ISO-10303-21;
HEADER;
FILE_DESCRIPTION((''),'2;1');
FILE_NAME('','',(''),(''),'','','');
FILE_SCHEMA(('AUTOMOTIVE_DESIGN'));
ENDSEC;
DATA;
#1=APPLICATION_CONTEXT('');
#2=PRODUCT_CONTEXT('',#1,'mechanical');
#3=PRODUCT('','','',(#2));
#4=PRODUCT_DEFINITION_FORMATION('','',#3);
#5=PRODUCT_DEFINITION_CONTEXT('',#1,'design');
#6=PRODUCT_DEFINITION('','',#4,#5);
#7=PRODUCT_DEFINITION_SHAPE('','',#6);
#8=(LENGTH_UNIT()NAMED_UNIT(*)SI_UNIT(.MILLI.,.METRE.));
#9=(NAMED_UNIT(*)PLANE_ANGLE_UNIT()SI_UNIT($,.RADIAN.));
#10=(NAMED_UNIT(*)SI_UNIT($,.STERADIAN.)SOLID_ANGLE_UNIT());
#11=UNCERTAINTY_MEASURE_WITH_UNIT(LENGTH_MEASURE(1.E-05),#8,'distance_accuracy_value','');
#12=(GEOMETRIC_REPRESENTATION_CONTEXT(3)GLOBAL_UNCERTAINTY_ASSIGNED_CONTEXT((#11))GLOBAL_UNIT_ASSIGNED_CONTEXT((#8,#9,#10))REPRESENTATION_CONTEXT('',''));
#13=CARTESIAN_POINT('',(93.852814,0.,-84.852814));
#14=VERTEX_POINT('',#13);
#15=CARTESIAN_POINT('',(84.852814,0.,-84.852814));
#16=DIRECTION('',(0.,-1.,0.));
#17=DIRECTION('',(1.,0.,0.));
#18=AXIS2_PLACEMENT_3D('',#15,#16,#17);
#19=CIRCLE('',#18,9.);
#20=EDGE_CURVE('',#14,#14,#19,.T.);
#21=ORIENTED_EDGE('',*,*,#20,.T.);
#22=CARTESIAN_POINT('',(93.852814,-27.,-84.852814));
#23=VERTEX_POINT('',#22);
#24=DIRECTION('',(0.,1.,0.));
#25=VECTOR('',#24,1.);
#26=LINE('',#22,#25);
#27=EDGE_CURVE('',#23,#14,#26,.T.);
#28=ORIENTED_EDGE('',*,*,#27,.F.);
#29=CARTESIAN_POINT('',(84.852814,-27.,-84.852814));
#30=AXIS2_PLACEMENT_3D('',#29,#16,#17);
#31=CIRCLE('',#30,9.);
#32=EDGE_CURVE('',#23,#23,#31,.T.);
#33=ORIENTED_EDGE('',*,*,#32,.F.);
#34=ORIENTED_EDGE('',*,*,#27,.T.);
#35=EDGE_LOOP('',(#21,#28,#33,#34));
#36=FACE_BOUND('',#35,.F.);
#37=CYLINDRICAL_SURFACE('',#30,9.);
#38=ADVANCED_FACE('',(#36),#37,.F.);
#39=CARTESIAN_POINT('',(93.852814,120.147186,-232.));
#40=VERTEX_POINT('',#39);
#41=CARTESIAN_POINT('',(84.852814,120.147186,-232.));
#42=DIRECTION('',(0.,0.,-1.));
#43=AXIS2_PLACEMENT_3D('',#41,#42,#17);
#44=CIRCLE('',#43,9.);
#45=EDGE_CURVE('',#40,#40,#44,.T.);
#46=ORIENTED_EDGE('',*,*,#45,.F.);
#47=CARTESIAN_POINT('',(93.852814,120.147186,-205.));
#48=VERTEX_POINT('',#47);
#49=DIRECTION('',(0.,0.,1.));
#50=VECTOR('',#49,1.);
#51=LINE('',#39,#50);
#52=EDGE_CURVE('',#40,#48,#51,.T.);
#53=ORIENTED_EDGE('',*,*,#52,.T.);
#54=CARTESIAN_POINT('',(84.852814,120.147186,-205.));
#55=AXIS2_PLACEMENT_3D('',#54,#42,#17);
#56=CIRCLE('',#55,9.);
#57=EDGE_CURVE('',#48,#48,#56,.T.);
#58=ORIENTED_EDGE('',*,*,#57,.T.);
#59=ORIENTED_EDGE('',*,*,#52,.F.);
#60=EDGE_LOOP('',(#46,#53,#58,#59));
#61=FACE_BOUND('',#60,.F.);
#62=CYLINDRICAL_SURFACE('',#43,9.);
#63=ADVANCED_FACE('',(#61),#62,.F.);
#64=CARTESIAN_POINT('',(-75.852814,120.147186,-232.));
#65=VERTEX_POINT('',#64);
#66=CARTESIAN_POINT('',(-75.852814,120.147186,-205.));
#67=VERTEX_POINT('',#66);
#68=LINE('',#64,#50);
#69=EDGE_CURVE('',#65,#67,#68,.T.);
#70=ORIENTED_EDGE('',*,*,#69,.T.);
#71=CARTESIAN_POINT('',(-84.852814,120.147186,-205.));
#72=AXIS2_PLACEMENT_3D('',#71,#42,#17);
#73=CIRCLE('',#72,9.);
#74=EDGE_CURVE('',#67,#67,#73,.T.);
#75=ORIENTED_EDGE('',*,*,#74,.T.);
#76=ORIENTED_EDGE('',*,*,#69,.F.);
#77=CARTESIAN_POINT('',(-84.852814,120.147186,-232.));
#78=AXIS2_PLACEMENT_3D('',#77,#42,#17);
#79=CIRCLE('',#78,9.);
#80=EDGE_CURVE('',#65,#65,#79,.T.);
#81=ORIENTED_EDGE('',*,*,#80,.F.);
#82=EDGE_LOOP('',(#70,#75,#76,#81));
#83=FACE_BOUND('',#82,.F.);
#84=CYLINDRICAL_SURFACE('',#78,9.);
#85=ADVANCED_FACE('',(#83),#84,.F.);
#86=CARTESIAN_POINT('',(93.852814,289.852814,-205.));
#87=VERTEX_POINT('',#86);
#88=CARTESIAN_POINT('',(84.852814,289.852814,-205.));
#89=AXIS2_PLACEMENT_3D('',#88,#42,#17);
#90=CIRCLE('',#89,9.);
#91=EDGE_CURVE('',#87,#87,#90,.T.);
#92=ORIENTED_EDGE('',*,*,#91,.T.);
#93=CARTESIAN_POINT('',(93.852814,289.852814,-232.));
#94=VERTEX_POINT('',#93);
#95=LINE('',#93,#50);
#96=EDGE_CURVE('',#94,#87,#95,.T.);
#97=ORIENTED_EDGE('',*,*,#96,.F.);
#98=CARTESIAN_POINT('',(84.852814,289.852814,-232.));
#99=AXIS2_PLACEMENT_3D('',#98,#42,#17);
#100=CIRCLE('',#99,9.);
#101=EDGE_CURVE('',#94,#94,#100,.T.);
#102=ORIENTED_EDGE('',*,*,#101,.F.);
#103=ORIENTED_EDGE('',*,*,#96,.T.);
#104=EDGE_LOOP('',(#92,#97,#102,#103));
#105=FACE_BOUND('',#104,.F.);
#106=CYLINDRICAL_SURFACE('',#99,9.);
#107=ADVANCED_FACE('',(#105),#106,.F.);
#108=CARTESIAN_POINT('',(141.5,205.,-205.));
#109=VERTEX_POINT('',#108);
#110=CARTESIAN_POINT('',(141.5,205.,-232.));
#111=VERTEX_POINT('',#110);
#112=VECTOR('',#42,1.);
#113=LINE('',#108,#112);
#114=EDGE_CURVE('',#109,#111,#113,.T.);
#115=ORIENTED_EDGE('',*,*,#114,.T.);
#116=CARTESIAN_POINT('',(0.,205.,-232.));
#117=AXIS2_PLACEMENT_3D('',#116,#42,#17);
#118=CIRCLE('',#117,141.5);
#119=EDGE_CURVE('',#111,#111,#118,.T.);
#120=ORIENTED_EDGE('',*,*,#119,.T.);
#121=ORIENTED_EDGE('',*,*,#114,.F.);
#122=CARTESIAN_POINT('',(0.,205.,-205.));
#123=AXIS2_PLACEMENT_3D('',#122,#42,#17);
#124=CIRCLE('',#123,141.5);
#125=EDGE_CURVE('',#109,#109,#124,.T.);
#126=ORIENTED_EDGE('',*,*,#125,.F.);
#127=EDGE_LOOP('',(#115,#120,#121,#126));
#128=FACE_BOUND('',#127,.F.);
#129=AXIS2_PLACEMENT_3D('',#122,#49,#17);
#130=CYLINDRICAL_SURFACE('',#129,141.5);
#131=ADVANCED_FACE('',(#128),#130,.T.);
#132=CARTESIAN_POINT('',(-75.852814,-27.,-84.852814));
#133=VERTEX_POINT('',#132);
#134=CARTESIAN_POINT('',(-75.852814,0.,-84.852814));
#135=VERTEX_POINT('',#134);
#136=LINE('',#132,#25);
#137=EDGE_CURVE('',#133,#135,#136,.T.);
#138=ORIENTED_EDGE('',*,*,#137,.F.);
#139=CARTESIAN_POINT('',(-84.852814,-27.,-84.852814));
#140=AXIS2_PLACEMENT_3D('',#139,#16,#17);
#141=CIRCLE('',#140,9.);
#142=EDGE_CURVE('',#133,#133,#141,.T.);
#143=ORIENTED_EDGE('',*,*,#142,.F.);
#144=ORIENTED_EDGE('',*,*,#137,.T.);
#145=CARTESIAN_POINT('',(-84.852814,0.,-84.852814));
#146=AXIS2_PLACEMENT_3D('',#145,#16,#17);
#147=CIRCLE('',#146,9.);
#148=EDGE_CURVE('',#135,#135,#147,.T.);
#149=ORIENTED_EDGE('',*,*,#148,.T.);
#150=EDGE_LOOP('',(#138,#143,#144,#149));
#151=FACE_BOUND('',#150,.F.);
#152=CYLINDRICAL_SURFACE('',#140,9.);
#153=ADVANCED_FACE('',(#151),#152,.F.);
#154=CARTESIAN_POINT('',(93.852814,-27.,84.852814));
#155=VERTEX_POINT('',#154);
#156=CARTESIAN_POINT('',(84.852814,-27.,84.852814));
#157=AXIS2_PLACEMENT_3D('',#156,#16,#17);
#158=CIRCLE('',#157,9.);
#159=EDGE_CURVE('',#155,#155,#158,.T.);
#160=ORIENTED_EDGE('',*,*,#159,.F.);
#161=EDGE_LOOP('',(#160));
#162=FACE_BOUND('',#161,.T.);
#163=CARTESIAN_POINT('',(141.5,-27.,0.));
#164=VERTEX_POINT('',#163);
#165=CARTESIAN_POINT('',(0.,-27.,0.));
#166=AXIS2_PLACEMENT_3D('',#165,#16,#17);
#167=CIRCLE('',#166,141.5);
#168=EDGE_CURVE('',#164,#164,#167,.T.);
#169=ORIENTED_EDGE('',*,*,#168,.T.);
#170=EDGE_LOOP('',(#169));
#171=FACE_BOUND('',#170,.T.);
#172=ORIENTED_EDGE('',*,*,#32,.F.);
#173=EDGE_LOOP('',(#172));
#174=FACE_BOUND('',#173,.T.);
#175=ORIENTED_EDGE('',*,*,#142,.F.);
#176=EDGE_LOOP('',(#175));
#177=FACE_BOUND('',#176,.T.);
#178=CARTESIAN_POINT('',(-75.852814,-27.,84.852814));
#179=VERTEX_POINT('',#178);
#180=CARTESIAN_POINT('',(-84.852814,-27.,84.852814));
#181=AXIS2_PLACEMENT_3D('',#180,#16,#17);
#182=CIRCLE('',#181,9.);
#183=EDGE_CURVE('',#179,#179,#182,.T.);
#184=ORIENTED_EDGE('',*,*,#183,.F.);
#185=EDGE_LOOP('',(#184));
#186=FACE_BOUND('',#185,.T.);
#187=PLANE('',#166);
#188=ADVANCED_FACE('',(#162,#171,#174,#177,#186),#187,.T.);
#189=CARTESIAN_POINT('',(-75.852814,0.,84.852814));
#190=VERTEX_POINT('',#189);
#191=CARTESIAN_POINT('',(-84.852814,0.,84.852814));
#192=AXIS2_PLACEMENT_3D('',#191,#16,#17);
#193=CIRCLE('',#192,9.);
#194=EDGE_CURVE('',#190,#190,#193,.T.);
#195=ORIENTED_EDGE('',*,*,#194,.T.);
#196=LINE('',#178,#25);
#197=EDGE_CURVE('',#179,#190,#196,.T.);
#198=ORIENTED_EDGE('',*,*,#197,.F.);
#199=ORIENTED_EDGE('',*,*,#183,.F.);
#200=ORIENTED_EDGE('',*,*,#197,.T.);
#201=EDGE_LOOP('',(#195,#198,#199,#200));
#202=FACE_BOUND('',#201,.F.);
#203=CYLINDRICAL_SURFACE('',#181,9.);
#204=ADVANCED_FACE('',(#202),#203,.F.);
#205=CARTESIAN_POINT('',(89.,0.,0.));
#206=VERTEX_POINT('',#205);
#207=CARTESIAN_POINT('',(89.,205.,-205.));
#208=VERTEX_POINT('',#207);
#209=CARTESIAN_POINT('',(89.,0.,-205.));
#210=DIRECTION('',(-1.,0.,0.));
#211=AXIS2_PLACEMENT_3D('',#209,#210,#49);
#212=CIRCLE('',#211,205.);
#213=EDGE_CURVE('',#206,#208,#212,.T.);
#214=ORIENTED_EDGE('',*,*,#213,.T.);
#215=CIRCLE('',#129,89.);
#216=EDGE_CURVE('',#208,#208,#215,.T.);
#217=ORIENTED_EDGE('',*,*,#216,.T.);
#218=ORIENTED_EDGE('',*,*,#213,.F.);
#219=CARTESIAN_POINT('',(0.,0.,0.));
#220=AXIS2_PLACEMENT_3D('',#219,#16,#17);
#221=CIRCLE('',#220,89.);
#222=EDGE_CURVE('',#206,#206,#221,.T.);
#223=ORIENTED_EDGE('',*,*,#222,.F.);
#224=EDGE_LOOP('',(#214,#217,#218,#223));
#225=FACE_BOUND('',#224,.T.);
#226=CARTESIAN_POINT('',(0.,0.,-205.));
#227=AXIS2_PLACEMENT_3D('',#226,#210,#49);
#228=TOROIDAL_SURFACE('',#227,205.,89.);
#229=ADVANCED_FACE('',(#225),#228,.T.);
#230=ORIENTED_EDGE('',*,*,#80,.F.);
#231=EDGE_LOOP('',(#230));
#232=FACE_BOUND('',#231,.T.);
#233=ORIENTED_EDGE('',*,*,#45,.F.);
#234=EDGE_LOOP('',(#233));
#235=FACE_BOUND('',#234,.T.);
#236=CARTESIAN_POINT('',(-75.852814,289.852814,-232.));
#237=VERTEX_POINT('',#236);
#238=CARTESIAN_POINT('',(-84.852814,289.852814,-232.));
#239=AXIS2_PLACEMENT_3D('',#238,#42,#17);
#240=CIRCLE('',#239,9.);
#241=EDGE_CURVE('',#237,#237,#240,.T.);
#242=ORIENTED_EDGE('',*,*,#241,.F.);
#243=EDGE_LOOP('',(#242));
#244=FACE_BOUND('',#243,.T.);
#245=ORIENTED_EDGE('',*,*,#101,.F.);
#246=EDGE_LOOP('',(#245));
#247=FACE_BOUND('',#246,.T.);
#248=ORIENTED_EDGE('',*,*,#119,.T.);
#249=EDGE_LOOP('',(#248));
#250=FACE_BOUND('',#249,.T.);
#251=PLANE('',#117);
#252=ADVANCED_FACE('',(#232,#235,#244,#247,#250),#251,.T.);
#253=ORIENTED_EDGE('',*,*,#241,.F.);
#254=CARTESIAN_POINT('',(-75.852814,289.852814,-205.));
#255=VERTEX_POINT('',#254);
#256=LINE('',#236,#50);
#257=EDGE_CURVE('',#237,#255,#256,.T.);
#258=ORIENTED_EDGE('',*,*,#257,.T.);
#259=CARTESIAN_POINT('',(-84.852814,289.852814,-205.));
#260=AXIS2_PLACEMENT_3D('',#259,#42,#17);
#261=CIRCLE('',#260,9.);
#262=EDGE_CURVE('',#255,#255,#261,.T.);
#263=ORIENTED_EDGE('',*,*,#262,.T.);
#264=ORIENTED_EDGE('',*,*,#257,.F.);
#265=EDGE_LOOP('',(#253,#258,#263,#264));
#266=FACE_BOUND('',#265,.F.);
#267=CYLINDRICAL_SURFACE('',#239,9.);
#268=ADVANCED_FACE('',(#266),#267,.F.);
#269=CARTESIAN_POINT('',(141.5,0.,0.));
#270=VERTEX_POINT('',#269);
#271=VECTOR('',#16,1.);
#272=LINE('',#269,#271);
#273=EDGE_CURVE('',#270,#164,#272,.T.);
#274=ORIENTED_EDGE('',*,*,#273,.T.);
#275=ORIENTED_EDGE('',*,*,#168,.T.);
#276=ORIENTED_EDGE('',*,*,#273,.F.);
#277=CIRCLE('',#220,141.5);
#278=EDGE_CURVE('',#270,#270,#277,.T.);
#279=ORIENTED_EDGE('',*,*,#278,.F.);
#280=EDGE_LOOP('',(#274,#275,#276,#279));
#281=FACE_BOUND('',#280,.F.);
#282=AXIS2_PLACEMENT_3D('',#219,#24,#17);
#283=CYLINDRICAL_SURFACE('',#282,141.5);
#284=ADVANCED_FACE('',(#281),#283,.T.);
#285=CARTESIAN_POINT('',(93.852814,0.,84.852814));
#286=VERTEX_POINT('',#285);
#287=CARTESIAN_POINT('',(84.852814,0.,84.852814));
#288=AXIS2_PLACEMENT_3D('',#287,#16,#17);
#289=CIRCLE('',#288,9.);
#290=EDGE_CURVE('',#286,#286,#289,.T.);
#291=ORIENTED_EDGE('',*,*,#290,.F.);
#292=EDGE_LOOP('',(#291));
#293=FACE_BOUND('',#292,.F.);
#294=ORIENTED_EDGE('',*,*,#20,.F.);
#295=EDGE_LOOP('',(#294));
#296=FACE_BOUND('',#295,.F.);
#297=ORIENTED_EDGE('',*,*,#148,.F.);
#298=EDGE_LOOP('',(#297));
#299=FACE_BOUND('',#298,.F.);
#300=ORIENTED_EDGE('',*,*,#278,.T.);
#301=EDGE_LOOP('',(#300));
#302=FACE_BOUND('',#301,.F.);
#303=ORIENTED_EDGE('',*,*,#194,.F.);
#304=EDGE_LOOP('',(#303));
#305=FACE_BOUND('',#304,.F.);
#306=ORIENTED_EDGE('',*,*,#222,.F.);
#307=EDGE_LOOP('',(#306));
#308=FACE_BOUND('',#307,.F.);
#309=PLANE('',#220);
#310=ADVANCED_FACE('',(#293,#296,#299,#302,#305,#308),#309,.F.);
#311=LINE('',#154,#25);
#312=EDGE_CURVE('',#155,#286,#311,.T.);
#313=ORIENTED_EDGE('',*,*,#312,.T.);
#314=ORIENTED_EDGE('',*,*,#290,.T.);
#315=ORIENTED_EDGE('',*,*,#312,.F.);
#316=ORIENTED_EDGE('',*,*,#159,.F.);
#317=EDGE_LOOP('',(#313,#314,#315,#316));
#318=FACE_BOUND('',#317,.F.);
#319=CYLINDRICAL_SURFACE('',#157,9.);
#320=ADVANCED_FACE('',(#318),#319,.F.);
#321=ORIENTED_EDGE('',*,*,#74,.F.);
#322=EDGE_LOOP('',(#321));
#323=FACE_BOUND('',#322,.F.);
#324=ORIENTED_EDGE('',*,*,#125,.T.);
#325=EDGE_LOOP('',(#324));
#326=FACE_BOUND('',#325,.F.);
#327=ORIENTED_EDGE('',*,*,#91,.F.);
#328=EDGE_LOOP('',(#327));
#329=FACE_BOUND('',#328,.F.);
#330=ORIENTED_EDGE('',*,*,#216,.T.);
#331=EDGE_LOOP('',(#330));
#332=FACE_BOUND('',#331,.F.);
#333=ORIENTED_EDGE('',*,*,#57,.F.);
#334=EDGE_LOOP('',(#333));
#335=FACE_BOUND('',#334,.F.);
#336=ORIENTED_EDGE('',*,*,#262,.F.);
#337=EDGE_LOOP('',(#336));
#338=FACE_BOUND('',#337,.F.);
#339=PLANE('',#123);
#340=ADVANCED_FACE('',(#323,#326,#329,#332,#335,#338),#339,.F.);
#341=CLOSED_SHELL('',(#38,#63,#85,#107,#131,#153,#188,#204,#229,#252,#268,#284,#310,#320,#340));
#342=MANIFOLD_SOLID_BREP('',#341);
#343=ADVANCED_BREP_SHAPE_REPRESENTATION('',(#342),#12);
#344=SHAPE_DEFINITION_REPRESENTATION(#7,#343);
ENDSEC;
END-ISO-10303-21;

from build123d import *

# Parameters (mm, degrees)
F0_R      = 89
F2_ANGLE  = 90
F3_R      = 141.5
F4_DEPTH  = 27
F5_R      = 141.5
F6_DEPTH  = 27
F7_R      = 9
F8_DEPTH  = 27
F9_R      = 9
F10_DEPTH = 27


with BuildPart() as f2:
    # F0 (on Front) → F2 (revolve)
    with BuildSketch(Plane.XZ):
        Circle(F0_R)
    revolve(axis=Axis((-94.423547, 0, -205), (-1, 0, 0)), revolution_arc=F2_ANGLE)

    # F3 (on face) → F4 (join)
    with BuildSketch(Plane.XZ):
        Circle(F3_R)
    extrude(amount=F4_DEPTH)

    # F5 (on face) → F6 (join)
    with BuildSketch(Plane(origin=(0, 0, -205), x_dir=(1, 0, 0), z_dir=(0, 0, -1))):
        with Locations((0, -205)):
            Circle(F5_R)
    extrude(amount=F6_DEPTH)

    # F7 (on face) → F8 (cut, through all)
    with BuildSketch(Plane(origin=(0, 0, -232), x_dir=(1, 0, 0), z_dir=(0, 0, -1))):
        with Locations((84.852814, -289.852814)):
            Circle(F7_R)
        with Locations((84.852814, -120.147186)):
            Circle(F7_R)
        with Locations((-84.852814, -120.147186)):
            Circle(F7_R)
        with Locations((-84.852814, -289.852814)):
            Circle(F7_R)
    extrude(amount=-F8_DEPTH, mode=Mode.SUBTRACT)

    # F9 (on face) → F10 (cut, through all)
    with BuildSketch(Plane.XZ.offset(27)):
        with Locations((-84.852814, 84.852814)):
            Circle(F9_R)
        with Locations((-84.852814, -84.852814)):
            Circle(F9_R)
        with Locations((84.852814, -84.852814)):
            Circle(F9_R)
        with Locations((84.852814, 84.852814)):
            Circle(F9_R)
    extrude(amount=-F10_DEPTH, mode=Mode.SUBTRACT)


solid = f2.part
